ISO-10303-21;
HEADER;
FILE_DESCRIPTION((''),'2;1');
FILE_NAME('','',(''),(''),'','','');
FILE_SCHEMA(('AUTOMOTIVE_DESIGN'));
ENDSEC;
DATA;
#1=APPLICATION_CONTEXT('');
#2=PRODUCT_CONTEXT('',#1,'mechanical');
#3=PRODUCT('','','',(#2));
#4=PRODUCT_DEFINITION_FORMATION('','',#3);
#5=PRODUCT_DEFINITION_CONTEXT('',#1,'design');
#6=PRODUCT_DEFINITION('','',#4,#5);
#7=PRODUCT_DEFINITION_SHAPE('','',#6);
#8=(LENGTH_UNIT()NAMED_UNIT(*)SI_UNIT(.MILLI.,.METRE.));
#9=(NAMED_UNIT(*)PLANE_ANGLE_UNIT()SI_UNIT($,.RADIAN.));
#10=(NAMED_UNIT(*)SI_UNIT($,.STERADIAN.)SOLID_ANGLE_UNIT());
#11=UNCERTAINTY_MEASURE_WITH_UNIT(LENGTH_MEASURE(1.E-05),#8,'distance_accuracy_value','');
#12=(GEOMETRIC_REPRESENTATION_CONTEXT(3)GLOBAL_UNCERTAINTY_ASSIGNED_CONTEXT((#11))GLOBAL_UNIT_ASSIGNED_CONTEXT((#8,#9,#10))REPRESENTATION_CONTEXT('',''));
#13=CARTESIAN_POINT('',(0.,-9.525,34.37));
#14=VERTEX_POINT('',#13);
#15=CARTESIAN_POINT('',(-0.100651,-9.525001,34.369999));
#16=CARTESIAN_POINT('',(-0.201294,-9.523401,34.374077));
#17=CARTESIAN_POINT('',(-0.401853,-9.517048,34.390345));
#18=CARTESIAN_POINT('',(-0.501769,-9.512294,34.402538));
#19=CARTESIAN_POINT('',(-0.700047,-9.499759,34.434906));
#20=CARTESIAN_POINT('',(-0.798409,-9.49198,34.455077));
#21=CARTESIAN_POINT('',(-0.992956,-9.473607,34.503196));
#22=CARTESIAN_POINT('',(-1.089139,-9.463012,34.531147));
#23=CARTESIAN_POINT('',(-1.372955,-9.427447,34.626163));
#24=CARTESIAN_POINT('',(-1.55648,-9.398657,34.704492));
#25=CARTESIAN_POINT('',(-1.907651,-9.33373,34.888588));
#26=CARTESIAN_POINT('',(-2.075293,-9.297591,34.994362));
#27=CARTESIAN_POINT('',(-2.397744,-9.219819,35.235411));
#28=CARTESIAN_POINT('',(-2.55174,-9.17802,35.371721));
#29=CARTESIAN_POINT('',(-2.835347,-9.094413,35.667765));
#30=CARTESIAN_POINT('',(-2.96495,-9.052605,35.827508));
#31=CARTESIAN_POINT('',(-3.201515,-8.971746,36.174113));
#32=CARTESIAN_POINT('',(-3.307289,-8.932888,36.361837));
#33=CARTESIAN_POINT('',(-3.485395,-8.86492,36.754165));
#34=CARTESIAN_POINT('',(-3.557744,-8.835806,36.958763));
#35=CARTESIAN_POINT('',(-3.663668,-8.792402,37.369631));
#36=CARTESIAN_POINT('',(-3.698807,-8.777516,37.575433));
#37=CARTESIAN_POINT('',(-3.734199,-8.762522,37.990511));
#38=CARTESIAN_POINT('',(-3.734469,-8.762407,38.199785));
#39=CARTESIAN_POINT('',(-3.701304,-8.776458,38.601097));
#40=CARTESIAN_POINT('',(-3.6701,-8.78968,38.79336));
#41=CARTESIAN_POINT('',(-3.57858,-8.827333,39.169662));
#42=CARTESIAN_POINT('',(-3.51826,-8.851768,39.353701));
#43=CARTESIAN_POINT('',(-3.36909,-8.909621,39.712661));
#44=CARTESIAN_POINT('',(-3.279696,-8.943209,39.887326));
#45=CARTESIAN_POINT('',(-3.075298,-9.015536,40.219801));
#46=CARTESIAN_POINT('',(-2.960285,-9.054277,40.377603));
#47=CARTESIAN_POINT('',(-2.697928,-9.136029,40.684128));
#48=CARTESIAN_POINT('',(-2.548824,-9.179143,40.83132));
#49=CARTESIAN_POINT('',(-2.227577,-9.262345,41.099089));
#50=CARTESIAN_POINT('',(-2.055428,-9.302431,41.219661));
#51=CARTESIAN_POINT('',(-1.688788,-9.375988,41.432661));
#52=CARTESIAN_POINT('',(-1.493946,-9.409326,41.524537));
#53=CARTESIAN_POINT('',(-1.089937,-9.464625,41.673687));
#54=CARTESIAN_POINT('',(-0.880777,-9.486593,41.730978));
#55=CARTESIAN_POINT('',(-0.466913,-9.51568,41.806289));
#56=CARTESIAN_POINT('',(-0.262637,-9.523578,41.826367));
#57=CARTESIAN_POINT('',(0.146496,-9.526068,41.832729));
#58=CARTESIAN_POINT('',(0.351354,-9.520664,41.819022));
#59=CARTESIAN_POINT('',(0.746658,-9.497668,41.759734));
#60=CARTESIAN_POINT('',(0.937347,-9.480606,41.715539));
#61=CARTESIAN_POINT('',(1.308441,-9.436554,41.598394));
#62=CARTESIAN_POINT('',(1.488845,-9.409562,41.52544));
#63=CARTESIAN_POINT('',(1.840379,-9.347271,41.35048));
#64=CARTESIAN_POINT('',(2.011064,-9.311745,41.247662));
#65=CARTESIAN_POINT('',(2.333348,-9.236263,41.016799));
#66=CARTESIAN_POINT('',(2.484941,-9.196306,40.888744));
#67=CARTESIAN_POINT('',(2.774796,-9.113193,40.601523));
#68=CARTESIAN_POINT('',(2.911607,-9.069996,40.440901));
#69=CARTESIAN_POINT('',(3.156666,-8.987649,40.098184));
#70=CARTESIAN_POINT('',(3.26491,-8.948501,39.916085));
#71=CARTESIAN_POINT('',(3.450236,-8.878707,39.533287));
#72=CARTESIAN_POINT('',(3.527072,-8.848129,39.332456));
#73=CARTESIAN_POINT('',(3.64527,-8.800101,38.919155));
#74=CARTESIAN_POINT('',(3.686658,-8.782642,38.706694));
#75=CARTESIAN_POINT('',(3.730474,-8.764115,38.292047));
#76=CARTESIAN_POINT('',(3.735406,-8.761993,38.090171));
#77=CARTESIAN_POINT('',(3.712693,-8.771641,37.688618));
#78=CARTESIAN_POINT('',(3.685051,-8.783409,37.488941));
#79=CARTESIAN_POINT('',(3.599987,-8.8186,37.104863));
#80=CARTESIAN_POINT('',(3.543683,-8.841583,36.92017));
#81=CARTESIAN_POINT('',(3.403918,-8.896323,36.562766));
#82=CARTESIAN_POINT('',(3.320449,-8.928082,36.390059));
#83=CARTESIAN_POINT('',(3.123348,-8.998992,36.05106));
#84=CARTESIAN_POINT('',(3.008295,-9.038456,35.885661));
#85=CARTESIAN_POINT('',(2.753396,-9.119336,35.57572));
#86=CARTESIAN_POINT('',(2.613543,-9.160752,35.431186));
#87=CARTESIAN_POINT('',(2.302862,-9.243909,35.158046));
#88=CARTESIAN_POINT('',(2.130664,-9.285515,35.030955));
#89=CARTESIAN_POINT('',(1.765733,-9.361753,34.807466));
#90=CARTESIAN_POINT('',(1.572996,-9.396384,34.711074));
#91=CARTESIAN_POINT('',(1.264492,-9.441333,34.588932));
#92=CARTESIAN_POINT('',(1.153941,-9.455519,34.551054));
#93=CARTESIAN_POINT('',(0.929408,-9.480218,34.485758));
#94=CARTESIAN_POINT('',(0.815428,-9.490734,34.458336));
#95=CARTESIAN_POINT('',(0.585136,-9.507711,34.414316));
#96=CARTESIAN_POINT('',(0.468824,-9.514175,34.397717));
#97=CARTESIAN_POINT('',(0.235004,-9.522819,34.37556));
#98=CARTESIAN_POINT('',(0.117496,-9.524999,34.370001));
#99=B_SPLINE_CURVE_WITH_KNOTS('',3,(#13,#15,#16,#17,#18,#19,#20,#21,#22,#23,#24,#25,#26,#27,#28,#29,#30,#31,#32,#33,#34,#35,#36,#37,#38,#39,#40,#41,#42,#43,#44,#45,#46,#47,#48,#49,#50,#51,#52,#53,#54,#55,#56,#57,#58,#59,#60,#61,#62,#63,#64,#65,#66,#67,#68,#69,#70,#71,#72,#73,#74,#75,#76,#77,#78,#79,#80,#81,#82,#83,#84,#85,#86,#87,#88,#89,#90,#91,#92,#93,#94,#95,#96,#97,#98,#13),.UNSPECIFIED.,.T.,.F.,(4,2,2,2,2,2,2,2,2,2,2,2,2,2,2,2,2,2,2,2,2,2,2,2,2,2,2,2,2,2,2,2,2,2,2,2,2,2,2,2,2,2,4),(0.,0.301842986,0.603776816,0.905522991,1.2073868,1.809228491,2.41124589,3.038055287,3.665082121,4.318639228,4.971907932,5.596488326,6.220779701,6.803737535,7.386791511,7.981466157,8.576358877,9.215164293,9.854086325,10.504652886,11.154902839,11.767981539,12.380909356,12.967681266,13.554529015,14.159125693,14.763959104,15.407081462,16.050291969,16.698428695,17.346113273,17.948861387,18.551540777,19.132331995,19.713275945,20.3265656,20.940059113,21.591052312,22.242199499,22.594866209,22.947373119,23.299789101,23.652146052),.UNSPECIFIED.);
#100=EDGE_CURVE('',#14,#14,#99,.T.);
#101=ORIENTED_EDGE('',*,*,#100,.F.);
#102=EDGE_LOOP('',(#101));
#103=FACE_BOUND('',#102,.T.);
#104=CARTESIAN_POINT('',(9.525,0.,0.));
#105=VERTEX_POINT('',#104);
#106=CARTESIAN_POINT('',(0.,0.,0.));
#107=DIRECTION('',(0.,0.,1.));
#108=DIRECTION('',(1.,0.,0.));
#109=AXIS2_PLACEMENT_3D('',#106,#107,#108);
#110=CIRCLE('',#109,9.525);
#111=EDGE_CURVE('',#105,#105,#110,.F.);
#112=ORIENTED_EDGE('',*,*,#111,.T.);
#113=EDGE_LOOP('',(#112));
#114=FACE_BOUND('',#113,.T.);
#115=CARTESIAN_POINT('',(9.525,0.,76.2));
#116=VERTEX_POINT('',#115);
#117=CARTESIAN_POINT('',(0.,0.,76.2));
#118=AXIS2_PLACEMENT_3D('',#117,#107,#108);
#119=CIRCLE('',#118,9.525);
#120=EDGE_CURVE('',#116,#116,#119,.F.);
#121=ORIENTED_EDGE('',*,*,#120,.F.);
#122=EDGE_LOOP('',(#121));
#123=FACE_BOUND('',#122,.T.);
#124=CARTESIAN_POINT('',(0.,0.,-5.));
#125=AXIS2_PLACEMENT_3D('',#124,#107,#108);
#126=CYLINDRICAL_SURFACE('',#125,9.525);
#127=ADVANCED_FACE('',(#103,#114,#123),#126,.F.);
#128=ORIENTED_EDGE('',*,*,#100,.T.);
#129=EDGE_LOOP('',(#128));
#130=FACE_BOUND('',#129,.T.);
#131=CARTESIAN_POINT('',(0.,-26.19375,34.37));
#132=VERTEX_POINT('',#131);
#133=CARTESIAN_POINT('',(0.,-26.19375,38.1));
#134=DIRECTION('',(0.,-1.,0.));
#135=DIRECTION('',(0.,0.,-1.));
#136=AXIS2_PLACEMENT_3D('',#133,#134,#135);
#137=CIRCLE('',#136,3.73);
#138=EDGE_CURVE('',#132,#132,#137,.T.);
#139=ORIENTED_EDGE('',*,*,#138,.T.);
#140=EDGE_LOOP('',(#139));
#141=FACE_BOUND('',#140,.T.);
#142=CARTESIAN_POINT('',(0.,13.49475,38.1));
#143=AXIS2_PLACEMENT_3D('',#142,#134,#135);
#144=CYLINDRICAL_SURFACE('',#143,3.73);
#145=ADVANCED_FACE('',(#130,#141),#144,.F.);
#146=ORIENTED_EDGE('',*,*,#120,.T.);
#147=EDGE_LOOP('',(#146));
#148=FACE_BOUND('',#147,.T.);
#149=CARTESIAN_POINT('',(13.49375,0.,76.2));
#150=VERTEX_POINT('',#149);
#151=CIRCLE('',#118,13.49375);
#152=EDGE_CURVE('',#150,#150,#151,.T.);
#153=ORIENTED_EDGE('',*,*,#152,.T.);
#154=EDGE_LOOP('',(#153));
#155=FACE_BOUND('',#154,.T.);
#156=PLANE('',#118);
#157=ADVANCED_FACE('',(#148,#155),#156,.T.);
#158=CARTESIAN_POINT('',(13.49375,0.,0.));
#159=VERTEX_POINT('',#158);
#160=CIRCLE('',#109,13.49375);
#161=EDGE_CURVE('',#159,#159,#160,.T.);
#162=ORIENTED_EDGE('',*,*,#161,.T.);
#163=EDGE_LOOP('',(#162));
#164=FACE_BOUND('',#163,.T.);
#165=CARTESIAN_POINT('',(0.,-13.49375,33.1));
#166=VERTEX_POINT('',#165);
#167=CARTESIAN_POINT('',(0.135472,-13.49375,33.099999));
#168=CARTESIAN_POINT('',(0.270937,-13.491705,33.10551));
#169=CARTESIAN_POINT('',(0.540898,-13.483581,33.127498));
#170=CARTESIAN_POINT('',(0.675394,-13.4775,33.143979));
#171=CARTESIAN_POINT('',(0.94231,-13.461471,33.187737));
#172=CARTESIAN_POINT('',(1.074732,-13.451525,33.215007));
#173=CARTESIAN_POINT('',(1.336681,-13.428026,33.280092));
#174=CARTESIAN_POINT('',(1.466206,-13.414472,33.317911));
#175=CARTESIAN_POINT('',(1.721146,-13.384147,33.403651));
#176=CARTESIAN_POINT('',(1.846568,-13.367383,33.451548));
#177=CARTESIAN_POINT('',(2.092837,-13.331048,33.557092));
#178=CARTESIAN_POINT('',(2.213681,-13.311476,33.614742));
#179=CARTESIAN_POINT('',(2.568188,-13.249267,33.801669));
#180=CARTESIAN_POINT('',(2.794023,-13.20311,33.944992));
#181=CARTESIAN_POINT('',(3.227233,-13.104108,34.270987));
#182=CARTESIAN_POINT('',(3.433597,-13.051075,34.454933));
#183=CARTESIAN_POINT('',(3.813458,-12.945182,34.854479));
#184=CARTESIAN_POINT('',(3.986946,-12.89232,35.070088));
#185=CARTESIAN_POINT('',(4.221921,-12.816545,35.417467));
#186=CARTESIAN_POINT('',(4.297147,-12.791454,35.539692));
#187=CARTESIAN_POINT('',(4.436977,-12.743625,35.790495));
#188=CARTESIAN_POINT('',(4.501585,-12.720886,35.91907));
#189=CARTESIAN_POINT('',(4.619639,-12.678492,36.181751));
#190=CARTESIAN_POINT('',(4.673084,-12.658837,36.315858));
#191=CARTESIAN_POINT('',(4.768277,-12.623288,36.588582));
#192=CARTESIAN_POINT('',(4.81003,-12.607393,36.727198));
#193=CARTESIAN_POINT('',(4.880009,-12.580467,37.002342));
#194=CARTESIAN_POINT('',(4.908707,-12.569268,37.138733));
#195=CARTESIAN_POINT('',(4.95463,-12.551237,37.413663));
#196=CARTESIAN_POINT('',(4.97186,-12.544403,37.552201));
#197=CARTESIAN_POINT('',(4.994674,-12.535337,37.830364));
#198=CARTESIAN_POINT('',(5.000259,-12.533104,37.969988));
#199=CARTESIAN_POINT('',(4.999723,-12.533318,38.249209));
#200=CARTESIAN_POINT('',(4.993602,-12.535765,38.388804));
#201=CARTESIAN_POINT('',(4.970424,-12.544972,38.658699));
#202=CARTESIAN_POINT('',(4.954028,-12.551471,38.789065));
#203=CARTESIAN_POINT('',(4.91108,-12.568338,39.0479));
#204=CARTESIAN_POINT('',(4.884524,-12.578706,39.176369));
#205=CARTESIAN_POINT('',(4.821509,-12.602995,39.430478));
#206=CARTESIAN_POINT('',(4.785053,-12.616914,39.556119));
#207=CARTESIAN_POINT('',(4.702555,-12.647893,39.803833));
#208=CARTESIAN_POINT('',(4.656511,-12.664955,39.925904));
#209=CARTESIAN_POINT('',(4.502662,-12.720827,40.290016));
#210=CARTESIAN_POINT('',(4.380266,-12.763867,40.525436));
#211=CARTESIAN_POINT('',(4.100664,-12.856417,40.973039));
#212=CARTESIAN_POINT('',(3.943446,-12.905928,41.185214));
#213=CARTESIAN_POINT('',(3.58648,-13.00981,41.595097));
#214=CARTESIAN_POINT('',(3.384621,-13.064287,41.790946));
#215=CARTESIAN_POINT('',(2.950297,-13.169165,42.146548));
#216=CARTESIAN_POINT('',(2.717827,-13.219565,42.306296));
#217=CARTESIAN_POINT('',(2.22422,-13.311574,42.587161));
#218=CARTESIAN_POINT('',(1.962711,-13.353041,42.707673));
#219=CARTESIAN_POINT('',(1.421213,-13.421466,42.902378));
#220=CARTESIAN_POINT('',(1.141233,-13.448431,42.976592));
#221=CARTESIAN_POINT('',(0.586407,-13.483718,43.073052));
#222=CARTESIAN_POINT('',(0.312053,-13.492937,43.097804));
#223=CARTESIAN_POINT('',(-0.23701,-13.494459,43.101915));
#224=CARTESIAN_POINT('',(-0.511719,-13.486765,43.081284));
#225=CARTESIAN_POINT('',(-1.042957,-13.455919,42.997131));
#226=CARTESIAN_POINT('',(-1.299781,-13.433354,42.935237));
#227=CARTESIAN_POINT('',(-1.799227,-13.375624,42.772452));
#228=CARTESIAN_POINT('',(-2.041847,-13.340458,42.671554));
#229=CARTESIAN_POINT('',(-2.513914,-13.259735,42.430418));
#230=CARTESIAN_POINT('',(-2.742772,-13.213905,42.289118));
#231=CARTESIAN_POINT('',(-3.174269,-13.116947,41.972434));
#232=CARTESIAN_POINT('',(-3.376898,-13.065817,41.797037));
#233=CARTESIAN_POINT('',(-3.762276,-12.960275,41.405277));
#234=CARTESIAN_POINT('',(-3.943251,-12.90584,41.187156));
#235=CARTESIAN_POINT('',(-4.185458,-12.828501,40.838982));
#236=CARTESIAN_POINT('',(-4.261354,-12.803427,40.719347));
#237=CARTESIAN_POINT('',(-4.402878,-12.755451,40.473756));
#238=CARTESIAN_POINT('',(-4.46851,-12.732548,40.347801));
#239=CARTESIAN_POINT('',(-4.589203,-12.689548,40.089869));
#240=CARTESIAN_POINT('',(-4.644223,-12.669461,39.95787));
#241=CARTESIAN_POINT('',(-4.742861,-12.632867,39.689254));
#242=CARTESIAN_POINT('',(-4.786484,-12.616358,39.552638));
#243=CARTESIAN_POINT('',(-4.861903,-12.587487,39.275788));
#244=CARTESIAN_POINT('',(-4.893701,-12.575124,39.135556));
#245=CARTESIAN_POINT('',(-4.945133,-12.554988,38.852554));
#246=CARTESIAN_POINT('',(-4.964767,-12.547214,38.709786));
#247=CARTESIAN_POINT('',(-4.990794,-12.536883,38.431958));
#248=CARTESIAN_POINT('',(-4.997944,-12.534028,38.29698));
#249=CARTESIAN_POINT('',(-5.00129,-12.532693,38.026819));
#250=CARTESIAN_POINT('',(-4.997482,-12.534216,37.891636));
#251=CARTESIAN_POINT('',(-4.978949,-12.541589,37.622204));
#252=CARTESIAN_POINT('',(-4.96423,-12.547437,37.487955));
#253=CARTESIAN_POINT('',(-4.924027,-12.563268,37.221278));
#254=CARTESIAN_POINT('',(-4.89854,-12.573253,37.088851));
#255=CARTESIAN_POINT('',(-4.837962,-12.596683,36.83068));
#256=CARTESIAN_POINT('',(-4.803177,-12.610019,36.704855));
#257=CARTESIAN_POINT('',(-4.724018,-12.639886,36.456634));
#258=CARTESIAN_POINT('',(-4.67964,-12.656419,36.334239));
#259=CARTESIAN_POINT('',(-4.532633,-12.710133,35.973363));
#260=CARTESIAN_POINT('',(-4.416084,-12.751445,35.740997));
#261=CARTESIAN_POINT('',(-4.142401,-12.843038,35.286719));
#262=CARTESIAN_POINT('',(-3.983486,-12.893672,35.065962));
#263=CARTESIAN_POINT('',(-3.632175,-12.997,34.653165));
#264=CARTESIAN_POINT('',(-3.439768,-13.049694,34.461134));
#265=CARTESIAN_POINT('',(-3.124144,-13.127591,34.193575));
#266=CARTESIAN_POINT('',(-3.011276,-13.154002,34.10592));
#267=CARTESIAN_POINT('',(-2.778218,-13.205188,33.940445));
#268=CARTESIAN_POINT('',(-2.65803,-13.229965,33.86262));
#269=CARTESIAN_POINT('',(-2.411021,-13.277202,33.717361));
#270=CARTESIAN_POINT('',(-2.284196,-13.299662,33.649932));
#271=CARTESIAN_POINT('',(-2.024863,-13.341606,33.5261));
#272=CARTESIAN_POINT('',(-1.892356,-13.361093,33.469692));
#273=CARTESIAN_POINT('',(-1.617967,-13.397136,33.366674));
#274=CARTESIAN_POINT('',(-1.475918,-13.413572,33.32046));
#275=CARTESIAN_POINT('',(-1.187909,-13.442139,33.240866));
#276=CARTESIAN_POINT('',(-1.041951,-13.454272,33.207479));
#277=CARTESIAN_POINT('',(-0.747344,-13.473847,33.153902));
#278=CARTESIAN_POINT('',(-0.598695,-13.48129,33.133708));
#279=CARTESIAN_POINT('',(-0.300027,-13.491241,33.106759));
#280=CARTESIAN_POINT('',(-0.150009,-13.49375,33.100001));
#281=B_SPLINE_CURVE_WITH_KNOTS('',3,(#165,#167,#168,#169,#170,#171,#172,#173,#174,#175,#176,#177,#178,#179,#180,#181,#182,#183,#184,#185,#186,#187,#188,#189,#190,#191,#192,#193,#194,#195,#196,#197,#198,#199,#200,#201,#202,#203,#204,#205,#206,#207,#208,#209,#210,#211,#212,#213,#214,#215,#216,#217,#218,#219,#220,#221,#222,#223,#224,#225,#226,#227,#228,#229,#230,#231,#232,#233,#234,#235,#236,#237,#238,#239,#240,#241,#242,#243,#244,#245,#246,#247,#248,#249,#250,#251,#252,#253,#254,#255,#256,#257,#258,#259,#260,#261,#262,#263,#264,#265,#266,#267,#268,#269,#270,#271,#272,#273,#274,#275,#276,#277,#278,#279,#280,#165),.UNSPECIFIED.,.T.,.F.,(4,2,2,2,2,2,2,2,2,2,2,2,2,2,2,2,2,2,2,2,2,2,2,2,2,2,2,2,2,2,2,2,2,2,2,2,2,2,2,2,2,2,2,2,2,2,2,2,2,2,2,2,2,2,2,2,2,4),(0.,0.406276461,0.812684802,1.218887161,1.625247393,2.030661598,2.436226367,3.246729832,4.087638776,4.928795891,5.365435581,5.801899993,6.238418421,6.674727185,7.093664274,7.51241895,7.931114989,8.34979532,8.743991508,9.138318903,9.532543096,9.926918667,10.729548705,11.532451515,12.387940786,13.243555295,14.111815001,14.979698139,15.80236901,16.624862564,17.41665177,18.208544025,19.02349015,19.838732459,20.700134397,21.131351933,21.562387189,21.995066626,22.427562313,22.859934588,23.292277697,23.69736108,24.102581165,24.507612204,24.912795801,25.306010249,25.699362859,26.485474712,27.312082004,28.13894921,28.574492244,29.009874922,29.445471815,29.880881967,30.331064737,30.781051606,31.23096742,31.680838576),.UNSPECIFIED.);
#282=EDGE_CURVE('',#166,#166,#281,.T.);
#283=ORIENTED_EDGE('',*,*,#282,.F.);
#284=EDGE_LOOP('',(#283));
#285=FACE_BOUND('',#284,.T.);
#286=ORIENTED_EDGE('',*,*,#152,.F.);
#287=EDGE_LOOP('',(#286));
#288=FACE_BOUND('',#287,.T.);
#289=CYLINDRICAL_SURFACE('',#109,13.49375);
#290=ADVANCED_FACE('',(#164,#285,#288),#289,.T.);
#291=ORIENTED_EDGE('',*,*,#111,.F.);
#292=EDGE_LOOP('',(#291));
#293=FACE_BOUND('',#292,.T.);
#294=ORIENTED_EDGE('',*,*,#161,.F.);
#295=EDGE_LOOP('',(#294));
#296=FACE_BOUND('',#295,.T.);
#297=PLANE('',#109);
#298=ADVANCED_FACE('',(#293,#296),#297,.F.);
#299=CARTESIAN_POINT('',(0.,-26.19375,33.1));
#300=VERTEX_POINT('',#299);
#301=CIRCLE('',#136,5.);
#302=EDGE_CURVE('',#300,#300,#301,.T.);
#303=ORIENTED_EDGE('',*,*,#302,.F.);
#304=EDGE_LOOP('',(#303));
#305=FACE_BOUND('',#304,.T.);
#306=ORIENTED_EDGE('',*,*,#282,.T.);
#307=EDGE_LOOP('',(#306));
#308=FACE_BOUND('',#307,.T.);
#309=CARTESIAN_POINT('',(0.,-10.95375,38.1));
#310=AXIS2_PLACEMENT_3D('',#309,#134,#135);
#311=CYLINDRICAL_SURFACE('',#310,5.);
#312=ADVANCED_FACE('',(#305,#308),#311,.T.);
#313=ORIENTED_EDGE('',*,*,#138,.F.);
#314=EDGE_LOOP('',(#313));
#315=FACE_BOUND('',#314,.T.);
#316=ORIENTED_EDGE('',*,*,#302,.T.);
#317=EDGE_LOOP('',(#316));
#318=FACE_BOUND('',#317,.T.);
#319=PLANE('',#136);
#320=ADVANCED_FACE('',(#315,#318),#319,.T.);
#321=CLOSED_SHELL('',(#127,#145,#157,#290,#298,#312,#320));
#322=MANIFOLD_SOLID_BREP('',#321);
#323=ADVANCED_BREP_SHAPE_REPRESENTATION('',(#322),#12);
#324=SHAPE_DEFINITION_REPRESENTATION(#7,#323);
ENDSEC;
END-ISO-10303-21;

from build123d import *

# Parameters (mm, degrees)
SWEEP1_PROFILE_R         = 13.49375
CUT_SWEEP1_PROFILE_R     = 9.525
BOSS_EXTRUDE2_DEPTH      = 12.7
BOSS_EXTRUDE2_DEPTH_BACK = 2.54
SKETCH2_R                = 5
CUT_EXTRUDE1_REACH       = 88.969
CUT_EXTRUDE1_END_RADIUS  = 9.525
SKETCH3_R                = 3.73


with BuildPart() as part:
    # Sweep1: sweep along a curve in space
    with BuildLine() as sweep1_path:
        Line((0, 0, 0), (0, 0, 76.2))
    # Sweep1 profile (on start of the path) → Sweep1 (sweep)
    with BuildSketch(Plane.XY):
        Circle(SWEEP1_PROFILE_R)
    sweep(path=sweep1_path.line)

    # Cut-Sweep1: sweep along a curve in space
    with BuildLine() as cut_sweep1_path:
        Line((0, 0, 0), (0, 0, 76.2))
    # Cut-Sweep1 profile (on start of the path) → Cut-Sweep1 (sweep, cut)
    with BuildSketch(Plane.XY):
        Circle(CUT_SWEEP1_PROFILE_R)
    sweep(path=cut_sweep1_path.line, mode=Mode.SUBTRACT)

    # Sketch2 → Boss-Extrude2 (add, two sides: drawn at the far end of the back side and taken through both)
    with BuildSketch(Plane(origin=(0, -13.49375, 0), x_dir=(-1, 0, 0), z_dir=(0, -1, 0)).offset(-BOSS_EXTRUDE2_DEPTH_BACK)):
        with Locations(Location((0, -38.1, 0), (0, 0, 90))):
            Circle(SKETCH2_R)
    extrude(amount=BOSS_EXTRUDE2_DEPTH + BOSS_EXTRUDE2_DEPTH_BACK)

    # Cut-Extrude1: up to this cylinder (the profile starts outside it)
    cut_extrude1_end = Plane(origin=(0, 0, 38.1), z_dir=(0, 0, 1)) * Cylinder(CUT_EXTRUDE1_END_RADIUS, 197.988, mode=Mode.PRIVATE)
    # Sketch3 → Cut-Extrude1 (cut, up to the surface)
    with BuildSketch(Plane.XZ.offset(26.19375), mode=Mode.PRIVATE) as cut_extrude1_sk1:
        with Locations(Location((0, 38.1, 0), (0, 0, 270))):
            Circle(SKETCH3_R)
    cut_extrude1_tool1 = extrude(cut_extrude1_sk1.sketch, amount=-CUT_EXTRUDE1_REACH, mode=Mode.PRIVATE) - cut_extrude1_end
    add(cut_extrude1_tool1.solids().sort_by_distance((0, -26.19375, 38.1))[0], mode=Mode.SUBTRACT)


solid = part.part
